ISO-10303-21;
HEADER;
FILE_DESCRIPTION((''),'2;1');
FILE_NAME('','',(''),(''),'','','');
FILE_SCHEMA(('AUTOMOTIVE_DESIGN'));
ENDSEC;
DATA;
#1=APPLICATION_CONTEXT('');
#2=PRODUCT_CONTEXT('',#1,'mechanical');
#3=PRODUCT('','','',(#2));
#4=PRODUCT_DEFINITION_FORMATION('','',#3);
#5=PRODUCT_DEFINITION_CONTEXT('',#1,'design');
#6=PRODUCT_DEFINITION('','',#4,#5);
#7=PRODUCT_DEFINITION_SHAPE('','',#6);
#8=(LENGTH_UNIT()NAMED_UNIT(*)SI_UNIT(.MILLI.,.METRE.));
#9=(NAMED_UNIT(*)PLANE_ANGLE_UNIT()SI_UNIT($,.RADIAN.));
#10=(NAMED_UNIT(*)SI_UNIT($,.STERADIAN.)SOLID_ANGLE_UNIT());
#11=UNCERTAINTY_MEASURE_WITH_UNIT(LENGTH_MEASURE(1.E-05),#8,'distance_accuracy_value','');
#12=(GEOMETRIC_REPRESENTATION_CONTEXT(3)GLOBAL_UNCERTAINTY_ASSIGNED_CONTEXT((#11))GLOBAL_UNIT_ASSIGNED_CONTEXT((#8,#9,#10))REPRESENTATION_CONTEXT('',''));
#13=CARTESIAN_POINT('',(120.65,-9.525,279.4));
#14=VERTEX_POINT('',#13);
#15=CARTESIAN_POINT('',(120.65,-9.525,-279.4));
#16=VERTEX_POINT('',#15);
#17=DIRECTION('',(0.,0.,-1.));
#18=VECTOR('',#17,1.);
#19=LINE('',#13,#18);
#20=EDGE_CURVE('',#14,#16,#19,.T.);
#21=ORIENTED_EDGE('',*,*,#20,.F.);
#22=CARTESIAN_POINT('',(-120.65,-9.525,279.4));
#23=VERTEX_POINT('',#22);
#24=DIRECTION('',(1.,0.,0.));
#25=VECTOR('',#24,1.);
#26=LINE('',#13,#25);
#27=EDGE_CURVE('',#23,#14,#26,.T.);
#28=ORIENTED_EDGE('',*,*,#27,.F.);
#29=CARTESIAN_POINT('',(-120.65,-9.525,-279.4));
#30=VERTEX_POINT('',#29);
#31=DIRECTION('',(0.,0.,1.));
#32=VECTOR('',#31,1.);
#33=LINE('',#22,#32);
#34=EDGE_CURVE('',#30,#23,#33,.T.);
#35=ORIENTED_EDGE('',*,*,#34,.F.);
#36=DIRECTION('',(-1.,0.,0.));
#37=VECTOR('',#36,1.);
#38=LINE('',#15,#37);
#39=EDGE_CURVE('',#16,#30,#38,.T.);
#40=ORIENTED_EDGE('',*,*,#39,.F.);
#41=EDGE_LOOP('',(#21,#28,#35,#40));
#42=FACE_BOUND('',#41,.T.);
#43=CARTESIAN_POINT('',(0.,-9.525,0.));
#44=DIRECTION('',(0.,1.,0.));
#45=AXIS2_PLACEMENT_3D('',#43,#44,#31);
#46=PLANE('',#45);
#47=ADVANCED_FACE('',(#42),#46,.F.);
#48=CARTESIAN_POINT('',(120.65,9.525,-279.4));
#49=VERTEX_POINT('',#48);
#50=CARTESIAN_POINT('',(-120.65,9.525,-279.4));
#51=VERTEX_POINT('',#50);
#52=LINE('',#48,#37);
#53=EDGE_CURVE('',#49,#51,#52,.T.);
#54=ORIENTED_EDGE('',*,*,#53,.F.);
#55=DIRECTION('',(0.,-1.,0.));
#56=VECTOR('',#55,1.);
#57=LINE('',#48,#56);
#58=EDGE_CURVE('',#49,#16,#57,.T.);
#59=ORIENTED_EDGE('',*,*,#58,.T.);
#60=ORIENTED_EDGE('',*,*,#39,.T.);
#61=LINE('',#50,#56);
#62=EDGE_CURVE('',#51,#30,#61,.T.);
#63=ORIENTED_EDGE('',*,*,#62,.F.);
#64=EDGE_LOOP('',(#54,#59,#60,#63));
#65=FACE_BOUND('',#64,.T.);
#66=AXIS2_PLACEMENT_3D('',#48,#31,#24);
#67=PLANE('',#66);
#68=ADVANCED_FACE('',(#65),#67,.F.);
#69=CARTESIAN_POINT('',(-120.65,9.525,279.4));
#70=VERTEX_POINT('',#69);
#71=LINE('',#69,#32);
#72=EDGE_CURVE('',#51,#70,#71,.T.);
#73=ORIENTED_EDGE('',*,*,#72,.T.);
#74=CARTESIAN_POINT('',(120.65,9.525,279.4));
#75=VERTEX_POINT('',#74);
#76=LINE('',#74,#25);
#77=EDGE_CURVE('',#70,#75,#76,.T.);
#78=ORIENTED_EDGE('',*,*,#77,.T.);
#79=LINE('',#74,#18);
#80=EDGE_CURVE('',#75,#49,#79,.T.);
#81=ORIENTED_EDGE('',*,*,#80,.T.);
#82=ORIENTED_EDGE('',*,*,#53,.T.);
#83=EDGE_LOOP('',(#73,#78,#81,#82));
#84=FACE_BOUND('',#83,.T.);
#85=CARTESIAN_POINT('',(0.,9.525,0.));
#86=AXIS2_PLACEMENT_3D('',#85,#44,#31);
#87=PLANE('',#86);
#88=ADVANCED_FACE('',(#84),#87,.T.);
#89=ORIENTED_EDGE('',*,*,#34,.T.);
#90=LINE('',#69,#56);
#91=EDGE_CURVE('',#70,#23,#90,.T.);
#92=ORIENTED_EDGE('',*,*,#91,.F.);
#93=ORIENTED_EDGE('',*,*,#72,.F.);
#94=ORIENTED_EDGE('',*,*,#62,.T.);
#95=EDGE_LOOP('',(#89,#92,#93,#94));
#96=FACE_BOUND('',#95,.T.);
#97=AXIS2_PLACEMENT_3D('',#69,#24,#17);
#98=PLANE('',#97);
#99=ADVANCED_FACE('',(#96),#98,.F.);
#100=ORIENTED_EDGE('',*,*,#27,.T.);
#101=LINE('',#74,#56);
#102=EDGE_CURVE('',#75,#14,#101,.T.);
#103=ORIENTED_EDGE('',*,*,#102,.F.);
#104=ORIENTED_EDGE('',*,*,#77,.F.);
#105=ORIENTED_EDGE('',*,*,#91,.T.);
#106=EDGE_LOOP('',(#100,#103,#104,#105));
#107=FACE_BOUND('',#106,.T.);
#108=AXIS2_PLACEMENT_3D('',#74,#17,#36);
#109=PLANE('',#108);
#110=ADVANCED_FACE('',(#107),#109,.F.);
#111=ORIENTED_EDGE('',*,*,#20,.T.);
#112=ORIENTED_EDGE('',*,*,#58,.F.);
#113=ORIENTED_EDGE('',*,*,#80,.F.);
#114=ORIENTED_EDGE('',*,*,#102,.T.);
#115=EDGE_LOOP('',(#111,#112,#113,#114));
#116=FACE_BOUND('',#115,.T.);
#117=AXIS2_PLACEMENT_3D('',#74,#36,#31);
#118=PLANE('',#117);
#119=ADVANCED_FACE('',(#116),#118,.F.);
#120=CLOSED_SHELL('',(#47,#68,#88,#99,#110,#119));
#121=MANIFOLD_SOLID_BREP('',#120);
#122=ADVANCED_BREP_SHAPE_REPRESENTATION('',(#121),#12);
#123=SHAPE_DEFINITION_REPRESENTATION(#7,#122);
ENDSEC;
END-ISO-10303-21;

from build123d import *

# Parameters (mm, degrees)
SKETCH1_W           = 241.3
SKETCH1_H           = 558.8
BOSS_EXTRUDE1_DEPTH = 9.525


with BuildPart() as part:
    # Sketch1 → Boss-Extrude1 (new body, symmetric)
    with BuildSketch(Plane(origin=(0, 0, 0), x_dir=(1, 0, 0), z_dir=(0, 1, 0))):
        Rectangle(SKETCH1_W, SKETCH1_H)
    extrude(amount=BOSS_EXTRUDE1_DEPTH, both=True)


solid = part.part
